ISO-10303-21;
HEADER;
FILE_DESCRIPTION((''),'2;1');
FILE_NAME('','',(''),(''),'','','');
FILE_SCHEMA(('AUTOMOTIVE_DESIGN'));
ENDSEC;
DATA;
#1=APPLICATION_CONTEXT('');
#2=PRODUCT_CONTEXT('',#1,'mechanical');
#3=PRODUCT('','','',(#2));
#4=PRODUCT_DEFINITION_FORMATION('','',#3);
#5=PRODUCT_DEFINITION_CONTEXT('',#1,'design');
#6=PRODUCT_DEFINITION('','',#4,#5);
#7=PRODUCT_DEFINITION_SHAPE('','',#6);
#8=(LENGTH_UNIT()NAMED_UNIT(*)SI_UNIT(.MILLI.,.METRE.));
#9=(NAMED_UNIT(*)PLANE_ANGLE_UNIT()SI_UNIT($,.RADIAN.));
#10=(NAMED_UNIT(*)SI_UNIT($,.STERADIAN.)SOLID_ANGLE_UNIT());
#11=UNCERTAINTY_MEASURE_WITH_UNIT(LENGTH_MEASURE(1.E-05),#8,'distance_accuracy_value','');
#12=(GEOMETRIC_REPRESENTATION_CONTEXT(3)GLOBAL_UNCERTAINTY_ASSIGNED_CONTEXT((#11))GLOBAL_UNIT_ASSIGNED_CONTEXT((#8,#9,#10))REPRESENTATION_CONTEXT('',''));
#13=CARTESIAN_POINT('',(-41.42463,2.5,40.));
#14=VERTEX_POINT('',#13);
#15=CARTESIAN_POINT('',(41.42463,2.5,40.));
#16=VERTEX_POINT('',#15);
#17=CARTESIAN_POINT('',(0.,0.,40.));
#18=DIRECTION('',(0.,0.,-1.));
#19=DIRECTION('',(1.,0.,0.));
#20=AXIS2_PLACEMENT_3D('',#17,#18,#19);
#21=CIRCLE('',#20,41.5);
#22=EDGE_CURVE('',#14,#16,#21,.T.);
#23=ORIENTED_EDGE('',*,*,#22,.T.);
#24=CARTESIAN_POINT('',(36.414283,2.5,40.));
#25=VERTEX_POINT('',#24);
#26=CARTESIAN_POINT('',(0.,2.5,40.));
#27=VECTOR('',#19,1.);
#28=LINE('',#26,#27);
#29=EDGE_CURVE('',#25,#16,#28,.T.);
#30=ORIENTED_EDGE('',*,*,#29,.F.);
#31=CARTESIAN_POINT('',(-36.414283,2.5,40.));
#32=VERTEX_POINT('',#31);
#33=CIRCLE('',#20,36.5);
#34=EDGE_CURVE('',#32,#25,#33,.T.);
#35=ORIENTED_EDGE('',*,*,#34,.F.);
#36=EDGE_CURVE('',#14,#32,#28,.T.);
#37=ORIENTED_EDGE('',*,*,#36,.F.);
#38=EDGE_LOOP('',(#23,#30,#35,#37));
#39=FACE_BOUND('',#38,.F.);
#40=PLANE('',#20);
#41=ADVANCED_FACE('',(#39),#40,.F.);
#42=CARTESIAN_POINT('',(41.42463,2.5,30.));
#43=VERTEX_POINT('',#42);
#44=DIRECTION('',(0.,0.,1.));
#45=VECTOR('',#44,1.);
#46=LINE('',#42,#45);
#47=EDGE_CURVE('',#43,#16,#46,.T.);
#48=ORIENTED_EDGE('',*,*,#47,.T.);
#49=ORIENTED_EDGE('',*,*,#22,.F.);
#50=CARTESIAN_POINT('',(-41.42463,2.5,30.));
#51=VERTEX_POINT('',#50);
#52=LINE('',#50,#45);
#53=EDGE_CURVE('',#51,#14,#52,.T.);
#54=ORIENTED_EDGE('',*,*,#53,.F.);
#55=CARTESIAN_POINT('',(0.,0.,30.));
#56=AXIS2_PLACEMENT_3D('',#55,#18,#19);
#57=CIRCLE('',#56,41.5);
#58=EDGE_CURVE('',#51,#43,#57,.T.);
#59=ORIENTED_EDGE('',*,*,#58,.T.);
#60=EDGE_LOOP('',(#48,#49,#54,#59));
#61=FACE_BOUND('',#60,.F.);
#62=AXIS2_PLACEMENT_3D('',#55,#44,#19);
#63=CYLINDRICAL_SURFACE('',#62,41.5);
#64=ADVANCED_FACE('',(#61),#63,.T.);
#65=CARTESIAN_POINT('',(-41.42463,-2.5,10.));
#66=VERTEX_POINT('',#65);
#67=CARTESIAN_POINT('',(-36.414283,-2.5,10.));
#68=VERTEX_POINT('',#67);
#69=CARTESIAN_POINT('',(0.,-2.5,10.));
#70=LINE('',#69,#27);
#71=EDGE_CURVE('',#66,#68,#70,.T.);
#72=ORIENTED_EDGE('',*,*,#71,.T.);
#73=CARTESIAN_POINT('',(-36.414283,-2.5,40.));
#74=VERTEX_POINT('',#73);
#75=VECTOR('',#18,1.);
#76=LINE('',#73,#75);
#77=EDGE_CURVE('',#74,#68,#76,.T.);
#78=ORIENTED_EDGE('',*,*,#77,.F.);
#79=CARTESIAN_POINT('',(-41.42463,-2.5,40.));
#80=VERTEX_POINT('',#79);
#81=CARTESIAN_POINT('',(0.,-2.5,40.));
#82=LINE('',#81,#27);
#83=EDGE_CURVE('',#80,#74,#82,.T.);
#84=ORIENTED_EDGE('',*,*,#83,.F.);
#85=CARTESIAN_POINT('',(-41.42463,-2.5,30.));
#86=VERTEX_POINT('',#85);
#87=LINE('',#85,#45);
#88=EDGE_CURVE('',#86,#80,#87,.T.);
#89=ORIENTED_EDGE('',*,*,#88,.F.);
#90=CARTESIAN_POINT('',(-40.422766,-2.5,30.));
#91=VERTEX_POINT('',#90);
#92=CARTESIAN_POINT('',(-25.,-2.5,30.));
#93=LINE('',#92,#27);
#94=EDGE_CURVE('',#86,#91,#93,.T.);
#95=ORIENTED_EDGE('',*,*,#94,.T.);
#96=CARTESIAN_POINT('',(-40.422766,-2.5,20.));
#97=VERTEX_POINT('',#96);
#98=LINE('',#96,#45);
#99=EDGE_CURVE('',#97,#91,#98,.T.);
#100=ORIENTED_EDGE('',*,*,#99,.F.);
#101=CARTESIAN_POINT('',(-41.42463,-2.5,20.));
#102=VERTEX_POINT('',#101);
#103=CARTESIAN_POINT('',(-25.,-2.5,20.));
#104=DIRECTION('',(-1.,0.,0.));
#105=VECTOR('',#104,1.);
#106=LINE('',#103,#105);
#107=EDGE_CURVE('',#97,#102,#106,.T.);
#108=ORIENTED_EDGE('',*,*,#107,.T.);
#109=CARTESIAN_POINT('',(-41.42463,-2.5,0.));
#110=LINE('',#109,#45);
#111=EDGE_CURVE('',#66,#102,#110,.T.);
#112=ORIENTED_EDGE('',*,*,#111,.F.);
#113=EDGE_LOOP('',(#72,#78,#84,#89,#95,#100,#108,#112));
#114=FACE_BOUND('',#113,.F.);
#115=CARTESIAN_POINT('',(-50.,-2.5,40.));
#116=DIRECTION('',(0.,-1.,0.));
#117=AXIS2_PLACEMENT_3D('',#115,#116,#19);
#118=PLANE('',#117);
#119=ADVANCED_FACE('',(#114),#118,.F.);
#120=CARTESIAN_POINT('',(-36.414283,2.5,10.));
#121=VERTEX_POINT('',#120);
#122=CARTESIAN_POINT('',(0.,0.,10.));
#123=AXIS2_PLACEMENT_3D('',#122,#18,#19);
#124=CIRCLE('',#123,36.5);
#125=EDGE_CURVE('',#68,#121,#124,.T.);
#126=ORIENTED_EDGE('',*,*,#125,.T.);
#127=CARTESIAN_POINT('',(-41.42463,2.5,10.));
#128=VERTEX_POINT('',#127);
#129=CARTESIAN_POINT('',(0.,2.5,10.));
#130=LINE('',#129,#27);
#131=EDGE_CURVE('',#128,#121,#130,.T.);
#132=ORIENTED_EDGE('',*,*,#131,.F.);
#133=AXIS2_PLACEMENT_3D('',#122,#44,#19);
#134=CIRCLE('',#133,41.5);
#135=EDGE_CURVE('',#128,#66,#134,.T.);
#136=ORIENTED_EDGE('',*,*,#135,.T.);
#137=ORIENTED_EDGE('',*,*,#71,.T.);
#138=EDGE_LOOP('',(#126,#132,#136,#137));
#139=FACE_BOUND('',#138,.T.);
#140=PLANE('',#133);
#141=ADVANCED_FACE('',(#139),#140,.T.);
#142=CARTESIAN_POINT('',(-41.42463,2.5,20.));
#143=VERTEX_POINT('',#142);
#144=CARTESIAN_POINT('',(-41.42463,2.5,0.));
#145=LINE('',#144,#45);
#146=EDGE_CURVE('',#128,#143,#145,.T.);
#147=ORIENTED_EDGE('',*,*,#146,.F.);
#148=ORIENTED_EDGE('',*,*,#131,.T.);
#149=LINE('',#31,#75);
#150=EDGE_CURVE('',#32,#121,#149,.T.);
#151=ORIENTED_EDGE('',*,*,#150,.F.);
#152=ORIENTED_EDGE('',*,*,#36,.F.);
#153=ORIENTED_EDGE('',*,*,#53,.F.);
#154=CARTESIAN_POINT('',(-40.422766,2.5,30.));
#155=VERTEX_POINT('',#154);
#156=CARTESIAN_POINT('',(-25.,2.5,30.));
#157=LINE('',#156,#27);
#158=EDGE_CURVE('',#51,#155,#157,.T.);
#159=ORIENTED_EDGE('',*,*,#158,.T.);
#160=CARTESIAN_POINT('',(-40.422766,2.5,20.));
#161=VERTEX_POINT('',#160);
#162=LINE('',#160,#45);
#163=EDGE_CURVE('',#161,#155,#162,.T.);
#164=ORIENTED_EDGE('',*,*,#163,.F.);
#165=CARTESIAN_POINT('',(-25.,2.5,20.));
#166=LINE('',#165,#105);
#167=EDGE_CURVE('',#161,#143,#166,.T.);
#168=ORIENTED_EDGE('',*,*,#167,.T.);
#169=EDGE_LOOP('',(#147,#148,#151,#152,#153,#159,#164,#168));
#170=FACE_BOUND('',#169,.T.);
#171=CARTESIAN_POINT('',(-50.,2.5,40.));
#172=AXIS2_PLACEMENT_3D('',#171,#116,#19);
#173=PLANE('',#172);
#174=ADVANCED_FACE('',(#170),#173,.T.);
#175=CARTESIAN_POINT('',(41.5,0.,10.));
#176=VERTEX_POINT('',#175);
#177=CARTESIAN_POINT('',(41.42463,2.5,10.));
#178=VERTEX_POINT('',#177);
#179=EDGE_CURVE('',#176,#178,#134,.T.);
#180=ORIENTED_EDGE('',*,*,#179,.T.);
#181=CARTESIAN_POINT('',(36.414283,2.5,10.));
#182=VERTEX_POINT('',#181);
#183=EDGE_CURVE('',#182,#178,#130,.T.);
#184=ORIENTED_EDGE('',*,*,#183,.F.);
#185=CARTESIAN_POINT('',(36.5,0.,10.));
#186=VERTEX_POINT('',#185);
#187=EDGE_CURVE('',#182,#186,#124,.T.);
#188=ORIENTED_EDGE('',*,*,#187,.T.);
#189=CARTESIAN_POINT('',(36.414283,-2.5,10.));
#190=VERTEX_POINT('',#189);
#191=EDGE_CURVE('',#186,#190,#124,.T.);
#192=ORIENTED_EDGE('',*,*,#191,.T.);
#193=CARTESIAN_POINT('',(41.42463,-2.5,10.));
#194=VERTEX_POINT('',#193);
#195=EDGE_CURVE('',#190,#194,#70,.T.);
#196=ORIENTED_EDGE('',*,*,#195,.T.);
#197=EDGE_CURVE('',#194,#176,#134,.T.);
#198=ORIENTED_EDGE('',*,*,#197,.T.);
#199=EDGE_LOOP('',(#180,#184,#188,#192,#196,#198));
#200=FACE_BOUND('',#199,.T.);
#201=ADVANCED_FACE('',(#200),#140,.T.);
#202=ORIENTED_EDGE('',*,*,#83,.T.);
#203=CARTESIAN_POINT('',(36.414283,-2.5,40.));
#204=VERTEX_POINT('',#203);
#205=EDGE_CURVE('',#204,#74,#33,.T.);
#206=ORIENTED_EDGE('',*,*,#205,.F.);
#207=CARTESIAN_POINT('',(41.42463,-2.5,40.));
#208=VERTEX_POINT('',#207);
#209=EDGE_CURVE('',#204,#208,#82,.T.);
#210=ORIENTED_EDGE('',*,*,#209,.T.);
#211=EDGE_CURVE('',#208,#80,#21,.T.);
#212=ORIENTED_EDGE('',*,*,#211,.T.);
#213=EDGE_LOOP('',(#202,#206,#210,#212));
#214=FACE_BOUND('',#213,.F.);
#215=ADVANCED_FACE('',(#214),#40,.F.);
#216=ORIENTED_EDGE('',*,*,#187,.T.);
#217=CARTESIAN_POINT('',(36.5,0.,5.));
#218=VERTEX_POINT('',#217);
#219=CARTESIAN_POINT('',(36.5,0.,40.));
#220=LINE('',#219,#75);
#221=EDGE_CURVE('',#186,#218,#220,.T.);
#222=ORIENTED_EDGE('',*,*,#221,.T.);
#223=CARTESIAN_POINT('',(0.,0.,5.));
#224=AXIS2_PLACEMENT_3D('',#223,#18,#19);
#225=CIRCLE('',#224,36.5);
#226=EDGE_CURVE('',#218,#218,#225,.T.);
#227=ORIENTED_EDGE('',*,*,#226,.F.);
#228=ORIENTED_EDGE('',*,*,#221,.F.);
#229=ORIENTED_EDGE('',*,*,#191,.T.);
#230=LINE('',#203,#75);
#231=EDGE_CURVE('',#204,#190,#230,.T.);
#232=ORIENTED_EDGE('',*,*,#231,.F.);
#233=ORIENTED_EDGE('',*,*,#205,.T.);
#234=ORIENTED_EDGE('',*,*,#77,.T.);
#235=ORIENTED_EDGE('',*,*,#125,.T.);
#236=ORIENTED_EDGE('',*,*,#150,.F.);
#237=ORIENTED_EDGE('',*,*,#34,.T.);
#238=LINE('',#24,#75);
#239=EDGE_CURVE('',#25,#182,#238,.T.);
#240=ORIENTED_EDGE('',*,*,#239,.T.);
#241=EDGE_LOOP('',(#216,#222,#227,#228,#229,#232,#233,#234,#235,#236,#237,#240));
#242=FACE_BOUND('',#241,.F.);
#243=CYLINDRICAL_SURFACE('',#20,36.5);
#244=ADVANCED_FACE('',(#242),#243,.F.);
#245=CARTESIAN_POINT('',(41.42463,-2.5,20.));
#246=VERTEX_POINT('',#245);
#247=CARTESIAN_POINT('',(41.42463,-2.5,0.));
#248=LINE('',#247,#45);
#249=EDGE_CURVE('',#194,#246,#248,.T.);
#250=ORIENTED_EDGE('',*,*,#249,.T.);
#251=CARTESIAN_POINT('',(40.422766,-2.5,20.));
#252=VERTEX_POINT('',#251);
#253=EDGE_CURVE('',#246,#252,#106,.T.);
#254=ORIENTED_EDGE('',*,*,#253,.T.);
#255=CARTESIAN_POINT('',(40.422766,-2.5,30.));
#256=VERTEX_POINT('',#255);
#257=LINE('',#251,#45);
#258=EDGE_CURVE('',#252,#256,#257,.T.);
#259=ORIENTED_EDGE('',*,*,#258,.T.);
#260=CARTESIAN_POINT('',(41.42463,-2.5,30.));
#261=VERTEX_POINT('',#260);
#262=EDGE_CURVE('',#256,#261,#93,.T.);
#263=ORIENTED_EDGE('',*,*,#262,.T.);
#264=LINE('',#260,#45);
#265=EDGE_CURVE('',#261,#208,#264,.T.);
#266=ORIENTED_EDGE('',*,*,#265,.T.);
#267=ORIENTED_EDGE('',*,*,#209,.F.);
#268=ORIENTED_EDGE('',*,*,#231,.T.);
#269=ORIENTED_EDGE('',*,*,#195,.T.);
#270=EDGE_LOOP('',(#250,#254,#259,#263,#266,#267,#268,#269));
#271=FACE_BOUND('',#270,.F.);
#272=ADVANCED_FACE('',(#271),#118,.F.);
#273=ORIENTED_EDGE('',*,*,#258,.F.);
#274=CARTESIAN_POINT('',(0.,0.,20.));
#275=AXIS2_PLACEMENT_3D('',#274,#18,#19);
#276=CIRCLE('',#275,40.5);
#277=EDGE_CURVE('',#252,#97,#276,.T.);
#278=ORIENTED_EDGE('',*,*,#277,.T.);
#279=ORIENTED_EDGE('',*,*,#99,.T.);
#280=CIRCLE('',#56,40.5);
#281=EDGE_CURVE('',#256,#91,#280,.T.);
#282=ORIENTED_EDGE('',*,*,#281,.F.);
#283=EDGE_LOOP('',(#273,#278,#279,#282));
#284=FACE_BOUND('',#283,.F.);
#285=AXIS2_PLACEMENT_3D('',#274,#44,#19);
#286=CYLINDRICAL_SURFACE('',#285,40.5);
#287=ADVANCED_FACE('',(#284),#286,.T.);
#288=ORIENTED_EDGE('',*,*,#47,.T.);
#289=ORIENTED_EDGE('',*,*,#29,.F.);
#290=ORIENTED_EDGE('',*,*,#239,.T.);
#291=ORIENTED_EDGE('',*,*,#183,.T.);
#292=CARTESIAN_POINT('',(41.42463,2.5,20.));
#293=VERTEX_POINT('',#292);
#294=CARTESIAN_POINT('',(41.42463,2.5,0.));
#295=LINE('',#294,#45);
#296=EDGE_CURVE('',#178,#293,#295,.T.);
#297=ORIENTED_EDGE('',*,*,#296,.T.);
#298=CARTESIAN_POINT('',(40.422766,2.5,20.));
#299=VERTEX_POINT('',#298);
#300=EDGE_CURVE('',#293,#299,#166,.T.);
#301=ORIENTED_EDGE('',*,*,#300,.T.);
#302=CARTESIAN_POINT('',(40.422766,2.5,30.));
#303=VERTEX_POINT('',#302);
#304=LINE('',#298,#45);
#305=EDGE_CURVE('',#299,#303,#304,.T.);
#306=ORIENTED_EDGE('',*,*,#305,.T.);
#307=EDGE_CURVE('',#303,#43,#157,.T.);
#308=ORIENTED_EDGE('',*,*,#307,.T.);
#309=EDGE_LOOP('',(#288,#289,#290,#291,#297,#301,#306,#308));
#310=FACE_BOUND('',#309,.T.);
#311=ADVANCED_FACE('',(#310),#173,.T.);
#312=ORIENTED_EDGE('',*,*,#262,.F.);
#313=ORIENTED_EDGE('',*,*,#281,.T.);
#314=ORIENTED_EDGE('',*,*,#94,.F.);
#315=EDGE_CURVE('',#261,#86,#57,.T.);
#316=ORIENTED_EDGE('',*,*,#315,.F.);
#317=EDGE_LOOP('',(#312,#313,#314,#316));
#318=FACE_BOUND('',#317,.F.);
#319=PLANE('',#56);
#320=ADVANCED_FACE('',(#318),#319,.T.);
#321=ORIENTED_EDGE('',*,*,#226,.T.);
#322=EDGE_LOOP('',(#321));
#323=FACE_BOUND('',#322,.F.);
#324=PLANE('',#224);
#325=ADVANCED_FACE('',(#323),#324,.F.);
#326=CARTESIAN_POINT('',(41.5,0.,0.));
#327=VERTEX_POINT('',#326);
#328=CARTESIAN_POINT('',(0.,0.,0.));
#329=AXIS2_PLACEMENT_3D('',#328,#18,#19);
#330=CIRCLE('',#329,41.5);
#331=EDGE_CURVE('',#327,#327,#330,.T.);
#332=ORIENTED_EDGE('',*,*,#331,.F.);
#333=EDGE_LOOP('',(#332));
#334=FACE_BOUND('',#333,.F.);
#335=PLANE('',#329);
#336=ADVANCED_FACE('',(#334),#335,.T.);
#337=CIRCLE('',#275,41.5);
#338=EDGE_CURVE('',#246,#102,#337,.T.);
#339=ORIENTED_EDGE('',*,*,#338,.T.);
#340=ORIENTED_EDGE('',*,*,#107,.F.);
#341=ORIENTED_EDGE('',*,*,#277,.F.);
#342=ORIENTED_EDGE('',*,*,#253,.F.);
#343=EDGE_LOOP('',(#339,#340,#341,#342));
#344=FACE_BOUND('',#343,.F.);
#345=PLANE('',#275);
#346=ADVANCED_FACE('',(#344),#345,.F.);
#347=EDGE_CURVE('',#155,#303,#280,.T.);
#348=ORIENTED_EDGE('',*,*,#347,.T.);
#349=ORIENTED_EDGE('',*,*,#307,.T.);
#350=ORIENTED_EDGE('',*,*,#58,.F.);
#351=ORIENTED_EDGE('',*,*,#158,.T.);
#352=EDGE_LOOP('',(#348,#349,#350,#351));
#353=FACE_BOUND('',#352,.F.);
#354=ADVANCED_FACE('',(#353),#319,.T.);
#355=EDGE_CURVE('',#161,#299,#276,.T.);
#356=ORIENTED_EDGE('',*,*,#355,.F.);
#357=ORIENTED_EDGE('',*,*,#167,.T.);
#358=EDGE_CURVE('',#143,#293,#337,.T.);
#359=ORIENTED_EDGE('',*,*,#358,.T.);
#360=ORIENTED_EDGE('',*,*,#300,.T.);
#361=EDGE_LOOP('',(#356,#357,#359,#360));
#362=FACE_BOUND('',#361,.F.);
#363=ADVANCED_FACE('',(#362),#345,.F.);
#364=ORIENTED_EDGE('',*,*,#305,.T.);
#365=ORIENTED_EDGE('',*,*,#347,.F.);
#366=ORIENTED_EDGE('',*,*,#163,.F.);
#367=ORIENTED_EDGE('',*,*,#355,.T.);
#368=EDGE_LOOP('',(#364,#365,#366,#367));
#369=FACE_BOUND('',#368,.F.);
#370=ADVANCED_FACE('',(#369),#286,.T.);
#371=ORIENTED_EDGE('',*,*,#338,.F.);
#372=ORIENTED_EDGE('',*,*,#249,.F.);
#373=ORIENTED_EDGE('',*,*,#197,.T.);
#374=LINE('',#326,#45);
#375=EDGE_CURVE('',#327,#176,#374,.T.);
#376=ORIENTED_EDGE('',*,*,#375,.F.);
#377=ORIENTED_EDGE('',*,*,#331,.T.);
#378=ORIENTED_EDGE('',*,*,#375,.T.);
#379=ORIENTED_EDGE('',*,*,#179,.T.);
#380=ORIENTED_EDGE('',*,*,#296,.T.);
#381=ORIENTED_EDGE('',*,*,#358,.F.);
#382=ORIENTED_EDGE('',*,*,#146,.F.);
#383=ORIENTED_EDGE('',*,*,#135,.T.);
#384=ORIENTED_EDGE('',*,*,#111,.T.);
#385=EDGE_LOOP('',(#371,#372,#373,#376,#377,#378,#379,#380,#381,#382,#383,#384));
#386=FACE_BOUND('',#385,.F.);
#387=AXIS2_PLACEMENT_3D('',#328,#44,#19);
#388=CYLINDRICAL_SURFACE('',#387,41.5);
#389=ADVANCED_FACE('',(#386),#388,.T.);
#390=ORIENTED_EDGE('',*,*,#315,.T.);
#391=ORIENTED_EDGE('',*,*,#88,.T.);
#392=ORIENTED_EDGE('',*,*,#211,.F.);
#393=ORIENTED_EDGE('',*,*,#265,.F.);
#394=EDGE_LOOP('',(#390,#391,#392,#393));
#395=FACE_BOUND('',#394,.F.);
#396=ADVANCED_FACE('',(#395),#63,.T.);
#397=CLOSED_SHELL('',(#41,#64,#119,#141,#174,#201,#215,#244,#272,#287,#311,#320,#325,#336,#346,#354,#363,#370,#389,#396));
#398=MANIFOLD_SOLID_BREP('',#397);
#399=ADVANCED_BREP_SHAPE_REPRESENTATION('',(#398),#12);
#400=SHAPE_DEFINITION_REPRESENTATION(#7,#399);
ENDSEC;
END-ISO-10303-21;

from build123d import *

# Parameters (mm, degrees)
F2_W     = 100
F2_H     = 5
F3_DEPTH = 30


with BuildPart() as f1:
    # F0 (on Front) → F1 (revolve)
    with BuildSketch(Plane.XZ):
        Polygon((0, 5), (0, 0), (41.5, 0), (41.5, 20), (40.5, 20), (40.5, 30), (41.5, 30), (41.5, 40), (36.5, 40), (36.5, 5), align=None)
    revolve(axis=Axis((0, 0, 2.5), (0, 0, -1)))

    # F2 (on face) → F3 (cut)
    with BuildSketch(Plane.XY.offset(40)):
        Rectangle(F2_W, F2_H)
    extrude(amount=-F3_DEPTH, mode=Mode.SUBTRACT)


solid = f1.part
